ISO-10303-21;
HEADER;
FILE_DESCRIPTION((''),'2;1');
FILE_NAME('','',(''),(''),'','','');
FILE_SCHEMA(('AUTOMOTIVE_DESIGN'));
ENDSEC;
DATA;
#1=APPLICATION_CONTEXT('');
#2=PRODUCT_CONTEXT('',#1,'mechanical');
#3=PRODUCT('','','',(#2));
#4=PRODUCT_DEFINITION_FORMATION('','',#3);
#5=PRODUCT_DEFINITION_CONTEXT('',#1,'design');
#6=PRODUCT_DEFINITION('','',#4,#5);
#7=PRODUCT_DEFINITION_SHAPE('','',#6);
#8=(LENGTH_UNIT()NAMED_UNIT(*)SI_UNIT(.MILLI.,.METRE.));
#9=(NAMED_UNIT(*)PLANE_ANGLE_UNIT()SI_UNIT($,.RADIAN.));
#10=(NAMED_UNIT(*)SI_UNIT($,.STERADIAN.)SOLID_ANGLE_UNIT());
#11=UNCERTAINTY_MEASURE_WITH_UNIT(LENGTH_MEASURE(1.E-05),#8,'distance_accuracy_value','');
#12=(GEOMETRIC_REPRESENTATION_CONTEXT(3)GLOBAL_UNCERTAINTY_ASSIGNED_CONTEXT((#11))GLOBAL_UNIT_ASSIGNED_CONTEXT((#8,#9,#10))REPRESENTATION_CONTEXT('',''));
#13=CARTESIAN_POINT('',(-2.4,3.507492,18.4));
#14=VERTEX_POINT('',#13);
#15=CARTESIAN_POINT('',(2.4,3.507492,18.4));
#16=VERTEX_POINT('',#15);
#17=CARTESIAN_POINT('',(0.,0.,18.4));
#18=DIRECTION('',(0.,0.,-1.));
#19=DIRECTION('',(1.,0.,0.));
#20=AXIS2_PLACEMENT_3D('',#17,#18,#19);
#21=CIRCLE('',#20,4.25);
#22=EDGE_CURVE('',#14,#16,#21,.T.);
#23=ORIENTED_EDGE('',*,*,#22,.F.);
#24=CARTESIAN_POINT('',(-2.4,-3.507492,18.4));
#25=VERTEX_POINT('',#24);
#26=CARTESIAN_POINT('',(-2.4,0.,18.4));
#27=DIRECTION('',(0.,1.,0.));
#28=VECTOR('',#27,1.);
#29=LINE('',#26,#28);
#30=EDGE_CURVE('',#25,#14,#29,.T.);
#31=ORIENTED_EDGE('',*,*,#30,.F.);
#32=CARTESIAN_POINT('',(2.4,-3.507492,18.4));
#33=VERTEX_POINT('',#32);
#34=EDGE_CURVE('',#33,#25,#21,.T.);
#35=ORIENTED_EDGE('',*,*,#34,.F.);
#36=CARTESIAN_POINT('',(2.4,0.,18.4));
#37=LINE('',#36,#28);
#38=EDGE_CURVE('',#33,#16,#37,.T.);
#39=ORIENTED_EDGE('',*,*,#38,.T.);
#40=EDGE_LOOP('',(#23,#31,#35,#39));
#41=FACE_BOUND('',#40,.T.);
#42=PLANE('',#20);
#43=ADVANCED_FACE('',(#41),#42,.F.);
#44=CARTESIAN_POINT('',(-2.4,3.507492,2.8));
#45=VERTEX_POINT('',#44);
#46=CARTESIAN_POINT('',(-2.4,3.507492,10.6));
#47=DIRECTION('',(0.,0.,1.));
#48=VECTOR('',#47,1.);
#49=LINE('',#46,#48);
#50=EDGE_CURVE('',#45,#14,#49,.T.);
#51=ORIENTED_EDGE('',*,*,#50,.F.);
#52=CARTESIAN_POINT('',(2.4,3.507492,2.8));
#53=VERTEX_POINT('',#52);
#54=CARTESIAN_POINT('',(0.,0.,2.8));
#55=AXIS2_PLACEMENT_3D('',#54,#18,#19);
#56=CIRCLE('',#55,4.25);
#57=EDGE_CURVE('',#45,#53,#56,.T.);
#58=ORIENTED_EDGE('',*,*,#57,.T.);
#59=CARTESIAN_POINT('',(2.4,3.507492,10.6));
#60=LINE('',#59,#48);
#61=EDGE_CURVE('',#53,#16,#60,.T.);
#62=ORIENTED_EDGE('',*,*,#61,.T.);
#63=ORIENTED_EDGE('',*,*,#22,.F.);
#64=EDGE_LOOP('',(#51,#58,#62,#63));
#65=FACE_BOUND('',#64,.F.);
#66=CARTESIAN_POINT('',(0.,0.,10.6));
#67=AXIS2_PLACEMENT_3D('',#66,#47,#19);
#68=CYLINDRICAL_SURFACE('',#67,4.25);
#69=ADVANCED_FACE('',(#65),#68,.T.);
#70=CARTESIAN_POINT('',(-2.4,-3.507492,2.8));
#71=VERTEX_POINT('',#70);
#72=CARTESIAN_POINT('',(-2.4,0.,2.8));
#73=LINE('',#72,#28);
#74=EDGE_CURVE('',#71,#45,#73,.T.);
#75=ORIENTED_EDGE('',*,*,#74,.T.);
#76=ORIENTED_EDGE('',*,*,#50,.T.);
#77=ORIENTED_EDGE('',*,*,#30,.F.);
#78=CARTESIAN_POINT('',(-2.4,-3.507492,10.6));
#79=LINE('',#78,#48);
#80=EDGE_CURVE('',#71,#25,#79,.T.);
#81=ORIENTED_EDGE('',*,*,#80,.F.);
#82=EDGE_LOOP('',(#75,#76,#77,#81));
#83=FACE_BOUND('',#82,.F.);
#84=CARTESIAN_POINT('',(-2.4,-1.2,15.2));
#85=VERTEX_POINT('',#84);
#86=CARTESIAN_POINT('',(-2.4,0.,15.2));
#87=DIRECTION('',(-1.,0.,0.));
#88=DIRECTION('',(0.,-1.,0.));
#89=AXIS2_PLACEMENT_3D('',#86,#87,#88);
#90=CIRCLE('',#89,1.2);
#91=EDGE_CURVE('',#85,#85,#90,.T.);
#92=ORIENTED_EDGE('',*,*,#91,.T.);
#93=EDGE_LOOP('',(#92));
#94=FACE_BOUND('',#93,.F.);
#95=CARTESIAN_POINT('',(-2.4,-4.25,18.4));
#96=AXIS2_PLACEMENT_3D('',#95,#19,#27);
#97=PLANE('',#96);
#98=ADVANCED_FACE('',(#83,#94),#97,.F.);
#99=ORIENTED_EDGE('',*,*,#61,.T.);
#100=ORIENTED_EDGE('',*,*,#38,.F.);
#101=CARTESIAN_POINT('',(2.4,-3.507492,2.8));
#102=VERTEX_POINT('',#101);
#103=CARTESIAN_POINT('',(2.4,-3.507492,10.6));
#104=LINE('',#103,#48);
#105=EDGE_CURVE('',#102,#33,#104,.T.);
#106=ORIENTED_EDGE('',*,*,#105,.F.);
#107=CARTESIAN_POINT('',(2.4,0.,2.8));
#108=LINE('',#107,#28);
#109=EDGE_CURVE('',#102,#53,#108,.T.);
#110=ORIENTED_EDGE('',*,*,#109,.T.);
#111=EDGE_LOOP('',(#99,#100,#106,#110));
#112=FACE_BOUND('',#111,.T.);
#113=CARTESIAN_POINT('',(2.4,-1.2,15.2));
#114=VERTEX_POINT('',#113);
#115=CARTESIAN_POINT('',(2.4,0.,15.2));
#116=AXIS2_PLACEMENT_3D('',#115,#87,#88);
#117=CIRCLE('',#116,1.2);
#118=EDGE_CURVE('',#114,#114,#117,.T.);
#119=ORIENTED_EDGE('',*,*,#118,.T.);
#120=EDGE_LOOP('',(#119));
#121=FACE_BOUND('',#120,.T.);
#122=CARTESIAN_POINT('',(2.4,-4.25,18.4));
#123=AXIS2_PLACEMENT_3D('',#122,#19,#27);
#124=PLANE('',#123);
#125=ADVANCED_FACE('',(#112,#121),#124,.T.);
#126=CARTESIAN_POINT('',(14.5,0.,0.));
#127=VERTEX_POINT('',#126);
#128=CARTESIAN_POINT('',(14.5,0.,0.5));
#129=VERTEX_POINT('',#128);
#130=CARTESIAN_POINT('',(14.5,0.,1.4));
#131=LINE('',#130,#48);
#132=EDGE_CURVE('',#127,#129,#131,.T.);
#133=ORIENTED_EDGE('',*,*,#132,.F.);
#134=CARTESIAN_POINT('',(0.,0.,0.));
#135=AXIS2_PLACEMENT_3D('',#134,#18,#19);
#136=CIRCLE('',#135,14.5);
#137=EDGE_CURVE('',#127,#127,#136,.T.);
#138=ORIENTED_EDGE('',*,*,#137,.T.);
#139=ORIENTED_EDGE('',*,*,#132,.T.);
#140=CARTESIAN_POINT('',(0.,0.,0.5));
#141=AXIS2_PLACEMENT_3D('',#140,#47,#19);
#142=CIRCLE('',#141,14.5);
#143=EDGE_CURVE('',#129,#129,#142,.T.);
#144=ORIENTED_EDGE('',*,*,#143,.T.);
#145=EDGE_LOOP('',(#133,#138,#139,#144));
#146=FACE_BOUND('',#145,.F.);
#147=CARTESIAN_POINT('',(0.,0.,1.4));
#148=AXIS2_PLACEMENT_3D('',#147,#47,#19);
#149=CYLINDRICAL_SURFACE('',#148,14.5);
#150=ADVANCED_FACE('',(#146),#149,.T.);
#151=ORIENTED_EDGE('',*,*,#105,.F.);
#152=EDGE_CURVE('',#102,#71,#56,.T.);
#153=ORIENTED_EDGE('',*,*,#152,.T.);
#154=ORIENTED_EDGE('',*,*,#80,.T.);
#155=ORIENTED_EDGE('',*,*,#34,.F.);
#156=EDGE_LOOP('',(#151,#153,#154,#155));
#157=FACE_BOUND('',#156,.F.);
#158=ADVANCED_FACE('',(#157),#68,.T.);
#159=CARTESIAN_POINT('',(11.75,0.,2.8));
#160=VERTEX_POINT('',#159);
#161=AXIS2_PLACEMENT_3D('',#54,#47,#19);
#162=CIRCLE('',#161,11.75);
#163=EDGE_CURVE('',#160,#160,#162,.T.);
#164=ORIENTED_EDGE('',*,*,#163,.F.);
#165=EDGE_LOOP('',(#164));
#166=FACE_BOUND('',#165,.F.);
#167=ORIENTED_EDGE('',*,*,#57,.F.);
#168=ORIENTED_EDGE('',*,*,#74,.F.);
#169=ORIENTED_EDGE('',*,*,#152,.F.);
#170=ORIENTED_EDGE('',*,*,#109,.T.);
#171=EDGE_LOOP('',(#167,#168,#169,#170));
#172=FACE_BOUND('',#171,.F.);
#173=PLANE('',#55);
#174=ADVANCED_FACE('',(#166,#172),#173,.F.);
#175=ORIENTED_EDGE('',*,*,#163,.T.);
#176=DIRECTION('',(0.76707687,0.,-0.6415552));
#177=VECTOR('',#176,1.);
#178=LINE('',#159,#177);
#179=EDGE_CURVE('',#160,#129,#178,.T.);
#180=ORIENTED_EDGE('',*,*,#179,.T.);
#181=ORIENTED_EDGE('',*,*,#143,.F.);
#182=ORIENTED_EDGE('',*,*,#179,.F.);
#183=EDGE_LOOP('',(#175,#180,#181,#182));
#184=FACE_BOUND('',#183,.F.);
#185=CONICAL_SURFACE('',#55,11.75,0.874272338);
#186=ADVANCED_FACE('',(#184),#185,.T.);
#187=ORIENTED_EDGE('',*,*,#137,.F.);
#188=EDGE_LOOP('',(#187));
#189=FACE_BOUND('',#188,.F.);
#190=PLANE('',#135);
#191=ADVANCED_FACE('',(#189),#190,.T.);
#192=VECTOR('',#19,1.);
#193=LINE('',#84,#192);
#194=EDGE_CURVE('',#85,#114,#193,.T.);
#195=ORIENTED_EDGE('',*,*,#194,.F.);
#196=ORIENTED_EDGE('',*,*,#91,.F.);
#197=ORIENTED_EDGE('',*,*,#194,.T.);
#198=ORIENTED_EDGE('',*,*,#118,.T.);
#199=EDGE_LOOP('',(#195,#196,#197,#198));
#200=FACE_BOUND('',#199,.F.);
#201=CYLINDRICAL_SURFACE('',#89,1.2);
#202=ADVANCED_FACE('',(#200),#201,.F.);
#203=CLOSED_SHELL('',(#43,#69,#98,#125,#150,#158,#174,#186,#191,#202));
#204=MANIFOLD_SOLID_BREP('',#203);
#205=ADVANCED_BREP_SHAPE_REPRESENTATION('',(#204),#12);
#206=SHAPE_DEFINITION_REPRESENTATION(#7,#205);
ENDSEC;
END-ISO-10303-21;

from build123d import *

# Parameters (mm, degrees)
F0_W     = 4.25
F0_H     = 2.8
F0_W_2   = 10.25
F0_H_2   = 15.6
F4_W     = 4.8
F4_H     = 8.5
F5_DEPTH = 15.6
F6_R     = 1.2
F7_DEPTH = 16.901


with BuildPart() as f1:
    # F0 (on Front) → F1 (revolve)
    with BuildSketch(Plane.XZ):
        with Locations((2.125, 1.4)):
            Rectangle(F0_W, F0_H)
        with Locations((9.375, 1.4)):
            Rectangle(F0_W_2, F0_H)
        with Locations((2.125, 10.6)):
            Rectangle(F0_W, F0_H_2)
    revolve(axis=Axis((0, 0, 8.798894), (0, 0, -1)))

    # F2 (on Front) → F3 (revolve, cut)
    with BuildSketch(Plane.XZ):
        Polygon((14.5, 2.8), (11.75, 2.8), (14.5, 0.5), align=None)
    revolve(axis=Axis((0, 0, 11.99575), (0, 0, 1)), mode=Mode.SUBTRACT)

    # F4 (on face) → F5 (cut, through all)
    with BuildSketch(Plane.XY.offset(18.4)):
        with Locations((4.8, 0)):
            Rectangle(F4_W, F4_H)
        with Locations((-4.8, 0)):
            Rectangle(F4_W, F4_H)
    extrude(amount=-F5_DEPTH, mode=Mode.SUBTRACT)

    # F6 (on face) → F7 (cut, through all)
    with BuildSketch(Plane(origin=(-2.4, 0, 0), x_dir=(0, -1, 0), z_dir=(-1, 0, 0))):
        with Locations((0, 15.2)):
            Circle(F6_R)
    extrude(amount=-F7_DEPTH, mode=Mode.SUBTRACT)


solid = f1.part
